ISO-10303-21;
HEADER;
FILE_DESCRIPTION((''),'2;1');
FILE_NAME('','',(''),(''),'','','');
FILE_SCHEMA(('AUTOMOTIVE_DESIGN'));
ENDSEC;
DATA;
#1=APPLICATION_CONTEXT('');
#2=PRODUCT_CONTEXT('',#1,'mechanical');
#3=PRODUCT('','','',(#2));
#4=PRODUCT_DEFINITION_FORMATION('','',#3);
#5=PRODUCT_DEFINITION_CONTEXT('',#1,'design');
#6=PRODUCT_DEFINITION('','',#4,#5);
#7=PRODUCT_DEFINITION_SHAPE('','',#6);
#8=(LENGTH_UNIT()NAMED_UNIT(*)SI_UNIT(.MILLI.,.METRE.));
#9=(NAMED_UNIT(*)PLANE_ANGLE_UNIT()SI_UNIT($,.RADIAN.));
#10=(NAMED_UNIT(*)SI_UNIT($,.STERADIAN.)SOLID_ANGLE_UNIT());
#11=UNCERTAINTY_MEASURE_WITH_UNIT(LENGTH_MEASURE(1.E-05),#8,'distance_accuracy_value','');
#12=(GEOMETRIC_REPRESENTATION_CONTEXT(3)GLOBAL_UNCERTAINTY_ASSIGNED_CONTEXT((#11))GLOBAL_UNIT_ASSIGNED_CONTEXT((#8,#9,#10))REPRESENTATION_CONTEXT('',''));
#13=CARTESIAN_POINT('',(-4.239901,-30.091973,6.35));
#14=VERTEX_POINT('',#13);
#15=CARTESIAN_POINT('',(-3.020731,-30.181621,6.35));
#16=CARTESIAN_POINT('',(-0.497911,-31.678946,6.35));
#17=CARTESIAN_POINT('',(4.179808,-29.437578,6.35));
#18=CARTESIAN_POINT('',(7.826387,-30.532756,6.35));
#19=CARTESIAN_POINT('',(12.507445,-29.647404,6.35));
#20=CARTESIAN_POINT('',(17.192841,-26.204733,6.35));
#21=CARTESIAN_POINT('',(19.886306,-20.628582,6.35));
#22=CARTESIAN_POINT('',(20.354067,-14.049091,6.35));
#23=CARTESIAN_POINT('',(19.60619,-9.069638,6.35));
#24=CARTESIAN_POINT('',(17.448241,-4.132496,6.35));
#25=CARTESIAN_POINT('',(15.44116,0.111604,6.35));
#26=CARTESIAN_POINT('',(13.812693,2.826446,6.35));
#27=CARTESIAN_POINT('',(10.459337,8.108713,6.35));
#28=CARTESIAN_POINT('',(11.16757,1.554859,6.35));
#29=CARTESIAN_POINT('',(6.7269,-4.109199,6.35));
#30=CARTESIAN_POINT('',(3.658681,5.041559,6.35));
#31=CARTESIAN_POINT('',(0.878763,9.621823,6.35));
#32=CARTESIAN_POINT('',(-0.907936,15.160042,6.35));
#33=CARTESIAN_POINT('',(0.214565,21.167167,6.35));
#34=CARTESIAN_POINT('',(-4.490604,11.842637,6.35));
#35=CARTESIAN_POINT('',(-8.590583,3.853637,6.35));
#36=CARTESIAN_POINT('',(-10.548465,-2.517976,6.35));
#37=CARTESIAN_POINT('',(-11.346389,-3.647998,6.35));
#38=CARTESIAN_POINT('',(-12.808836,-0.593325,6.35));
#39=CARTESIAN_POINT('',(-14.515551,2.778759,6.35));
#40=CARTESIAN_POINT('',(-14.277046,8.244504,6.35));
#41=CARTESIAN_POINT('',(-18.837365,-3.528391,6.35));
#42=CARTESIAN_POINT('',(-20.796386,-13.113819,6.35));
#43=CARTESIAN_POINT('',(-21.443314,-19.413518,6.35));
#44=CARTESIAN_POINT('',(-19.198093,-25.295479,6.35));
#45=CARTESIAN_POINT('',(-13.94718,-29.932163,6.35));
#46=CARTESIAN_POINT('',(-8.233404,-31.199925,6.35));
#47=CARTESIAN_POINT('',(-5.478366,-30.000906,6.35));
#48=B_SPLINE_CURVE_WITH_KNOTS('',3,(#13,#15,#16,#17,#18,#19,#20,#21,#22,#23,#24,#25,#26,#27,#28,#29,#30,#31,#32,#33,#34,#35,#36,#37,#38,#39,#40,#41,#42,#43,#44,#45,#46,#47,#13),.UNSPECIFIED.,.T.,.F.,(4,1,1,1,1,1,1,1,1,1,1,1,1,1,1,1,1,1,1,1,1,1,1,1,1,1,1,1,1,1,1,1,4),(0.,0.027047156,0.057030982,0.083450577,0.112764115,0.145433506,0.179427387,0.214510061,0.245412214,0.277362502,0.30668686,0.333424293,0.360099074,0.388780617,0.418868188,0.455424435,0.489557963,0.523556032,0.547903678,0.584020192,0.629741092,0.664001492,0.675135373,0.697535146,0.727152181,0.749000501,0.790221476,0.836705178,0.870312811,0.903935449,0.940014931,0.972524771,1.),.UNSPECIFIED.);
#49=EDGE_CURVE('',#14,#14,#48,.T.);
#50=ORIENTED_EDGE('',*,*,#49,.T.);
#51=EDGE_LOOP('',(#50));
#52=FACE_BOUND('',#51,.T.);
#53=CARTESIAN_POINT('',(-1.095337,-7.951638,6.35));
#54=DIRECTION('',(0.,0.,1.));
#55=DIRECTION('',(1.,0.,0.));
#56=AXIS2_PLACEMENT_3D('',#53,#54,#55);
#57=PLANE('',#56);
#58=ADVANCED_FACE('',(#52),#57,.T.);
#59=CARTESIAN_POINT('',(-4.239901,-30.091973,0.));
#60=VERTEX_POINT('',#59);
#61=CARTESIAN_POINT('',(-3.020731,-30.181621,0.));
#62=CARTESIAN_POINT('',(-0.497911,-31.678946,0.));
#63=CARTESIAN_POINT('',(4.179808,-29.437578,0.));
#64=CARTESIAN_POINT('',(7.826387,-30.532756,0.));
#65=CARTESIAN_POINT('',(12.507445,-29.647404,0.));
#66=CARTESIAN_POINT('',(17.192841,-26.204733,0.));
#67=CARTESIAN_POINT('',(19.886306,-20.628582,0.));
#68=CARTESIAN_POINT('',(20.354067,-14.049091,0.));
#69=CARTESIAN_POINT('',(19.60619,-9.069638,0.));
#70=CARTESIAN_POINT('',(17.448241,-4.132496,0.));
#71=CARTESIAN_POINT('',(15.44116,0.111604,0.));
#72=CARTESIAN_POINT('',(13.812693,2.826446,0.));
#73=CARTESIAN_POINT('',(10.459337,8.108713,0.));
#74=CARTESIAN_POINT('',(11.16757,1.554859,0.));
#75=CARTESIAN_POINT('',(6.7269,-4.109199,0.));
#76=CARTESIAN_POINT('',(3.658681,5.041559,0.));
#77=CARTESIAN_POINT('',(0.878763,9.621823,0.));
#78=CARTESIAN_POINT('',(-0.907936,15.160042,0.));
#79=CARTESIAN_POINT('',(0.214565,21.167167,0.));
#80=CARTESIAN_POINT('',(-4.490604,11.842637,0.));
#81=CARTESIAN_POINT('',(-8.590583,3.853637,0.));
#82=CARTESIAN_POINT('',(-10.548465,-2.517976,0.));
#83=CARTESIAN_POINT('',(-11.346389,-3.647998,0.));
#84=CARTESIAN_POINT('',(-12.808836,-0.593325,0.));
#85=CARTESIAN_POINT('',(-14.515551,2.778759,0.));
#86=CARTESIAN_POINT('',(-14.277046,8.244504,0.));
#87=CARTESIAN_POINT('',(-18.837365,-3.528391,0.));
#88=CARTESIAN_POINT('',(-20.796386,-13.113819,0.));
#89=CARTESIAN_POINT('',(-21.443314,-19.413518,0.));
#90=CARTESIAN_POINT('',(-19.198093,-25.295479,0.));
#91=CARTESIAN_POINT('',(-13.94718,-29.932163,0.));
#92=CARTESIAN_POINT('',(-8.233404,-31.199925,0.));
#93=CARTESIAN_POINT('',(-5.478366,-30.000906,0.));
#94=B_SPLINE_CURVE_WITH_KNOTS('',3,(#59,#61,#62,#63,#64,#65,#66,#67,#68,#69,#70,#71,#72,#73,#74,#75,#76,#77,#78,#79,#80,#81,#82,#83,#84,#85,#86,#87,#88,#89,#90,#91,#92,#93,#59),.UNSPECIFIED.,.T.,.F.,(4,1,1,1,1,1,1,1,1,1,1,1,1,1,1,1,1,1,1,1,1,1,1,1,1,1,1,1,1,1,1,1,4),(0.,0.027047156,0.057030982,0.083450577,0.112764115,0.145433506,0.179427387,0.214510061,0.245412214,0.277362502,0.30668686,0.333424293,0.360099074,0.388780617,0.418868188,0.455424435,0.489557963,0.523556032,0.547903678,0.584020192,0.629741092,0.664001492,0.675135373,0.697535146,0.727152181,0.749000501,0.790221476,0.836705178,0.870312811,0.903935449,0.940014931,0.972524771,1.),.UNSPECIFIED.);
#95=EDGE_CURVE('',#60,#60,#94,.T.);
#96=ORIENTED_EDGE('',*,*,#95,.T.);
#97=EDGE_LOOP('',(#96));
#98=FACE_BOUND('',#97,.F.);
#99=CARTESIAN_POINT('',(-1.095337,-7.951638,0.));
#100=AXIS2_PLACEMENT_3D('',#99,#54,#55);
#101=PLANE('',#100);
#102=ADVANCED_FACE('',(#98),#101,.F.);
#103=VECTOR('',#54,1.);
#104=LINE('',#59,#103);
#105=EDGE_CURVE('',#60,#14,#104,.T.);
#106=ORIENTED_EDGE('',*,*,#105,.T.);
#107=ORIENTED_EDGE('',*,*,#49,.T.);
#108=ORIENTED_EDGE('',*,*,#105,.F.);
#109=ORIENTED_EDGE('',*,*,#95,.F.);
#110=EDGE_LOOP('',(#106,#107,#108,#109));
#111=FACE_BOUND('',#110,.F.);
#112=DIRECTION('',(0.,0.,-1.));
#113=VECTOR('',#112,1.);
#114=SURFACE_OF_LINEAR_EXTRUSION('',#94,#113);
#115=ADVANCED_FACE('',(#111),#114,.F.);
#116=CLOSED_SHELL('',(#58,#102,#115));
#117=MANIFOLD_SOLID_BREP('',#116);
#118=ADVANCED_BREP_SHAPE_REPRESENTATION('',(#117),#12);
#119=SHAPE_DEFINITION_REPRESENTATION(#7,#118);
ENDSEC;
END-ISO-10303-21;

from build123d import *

# Parameters (mm, degrees)
F1_DEPTH = 6.35


with BuildPart() as f1:
    # F0 (on Top) → F1 (new body)
    with BuildSketch(Plane.XY):
        with BuildLine():
            add(Edge.make_bspline(
                [(-4.2399005033, -30.0919730216), (-3.0207310998, -30.1816212322), (-0.497911261, -31.6789457962), (4.1798077534, -29.4375778946), (7.8263865782, -30.5327556597), (12.5074454345, -29.6474035719), (17.1928405609, -26.2047330065), (19.8863055656, -20.6285815432), (20.3540666538, -14.0490906259), (19.6061900791, -9.0696384476), (17.4482408755, -4.1324962384), (15.4411600284, 0.1116043842), (13.8126929301, 2.8264460779), (10.4593374008, 8.108713399), (11.16757001, 1.5548586084), (6.7269002234, -4.1091990931), (3.6586812429, 5.0415588979), (0.8787634783, 9.6218233579), (-0.9079362842, 15.1600421006), (0.2145652265, 21.1671669354), (-4.4906040869, 11.842637481), (-8.5905831788, 3.8536374934), (-10.5484654847, -2.5179758533), (-11.3463888869, -3.6479980829), (-12.8088356665, -0.5933254868), (-14.5155508654, 2.7787590061), (-14.2770458277, 8.2445035175), (-18.8373645706, -3.5283910598), (-20.7963860622, -13.1138193628), (-21.4433138616, -19.4135183636), (-19.1980932469, -25.2954788137), (-13.9471802566, -29.9321627704), (-8.2334037622, -31.199924784), (-5.4783655925, -30.0009059568), (-4.2399005033, -30.0919730216)],
                knots=[0, 0, 0, 0, 0.0270471559, 0.0570309824, 0.0834505768, 0.1127641149, 0.1454335059, 0.179427387, 0.2145100607, 0.2454122135, 0.2773625024, 0.3066868595, 0.3334242926, 0.360099074, 0.3887806171, 0.4188681878, 0.4554244353, 0.4895579633, 0.5235560319, 0.5479036775, 0.5840201922, 0.6297410922, 0.6640014916, 0.6751353727, 0.6975351461, 0.7271521812, 0.7490005011, 0.7902214765, 0.8367051783, 0.8703128112, 0.9039354489, 0.9400149306, 0.9725247712, 1, 1, 1, 1], degree=3))
        make_face()
    extrude(amount=F1_DEPTH)


solid = f1.part
